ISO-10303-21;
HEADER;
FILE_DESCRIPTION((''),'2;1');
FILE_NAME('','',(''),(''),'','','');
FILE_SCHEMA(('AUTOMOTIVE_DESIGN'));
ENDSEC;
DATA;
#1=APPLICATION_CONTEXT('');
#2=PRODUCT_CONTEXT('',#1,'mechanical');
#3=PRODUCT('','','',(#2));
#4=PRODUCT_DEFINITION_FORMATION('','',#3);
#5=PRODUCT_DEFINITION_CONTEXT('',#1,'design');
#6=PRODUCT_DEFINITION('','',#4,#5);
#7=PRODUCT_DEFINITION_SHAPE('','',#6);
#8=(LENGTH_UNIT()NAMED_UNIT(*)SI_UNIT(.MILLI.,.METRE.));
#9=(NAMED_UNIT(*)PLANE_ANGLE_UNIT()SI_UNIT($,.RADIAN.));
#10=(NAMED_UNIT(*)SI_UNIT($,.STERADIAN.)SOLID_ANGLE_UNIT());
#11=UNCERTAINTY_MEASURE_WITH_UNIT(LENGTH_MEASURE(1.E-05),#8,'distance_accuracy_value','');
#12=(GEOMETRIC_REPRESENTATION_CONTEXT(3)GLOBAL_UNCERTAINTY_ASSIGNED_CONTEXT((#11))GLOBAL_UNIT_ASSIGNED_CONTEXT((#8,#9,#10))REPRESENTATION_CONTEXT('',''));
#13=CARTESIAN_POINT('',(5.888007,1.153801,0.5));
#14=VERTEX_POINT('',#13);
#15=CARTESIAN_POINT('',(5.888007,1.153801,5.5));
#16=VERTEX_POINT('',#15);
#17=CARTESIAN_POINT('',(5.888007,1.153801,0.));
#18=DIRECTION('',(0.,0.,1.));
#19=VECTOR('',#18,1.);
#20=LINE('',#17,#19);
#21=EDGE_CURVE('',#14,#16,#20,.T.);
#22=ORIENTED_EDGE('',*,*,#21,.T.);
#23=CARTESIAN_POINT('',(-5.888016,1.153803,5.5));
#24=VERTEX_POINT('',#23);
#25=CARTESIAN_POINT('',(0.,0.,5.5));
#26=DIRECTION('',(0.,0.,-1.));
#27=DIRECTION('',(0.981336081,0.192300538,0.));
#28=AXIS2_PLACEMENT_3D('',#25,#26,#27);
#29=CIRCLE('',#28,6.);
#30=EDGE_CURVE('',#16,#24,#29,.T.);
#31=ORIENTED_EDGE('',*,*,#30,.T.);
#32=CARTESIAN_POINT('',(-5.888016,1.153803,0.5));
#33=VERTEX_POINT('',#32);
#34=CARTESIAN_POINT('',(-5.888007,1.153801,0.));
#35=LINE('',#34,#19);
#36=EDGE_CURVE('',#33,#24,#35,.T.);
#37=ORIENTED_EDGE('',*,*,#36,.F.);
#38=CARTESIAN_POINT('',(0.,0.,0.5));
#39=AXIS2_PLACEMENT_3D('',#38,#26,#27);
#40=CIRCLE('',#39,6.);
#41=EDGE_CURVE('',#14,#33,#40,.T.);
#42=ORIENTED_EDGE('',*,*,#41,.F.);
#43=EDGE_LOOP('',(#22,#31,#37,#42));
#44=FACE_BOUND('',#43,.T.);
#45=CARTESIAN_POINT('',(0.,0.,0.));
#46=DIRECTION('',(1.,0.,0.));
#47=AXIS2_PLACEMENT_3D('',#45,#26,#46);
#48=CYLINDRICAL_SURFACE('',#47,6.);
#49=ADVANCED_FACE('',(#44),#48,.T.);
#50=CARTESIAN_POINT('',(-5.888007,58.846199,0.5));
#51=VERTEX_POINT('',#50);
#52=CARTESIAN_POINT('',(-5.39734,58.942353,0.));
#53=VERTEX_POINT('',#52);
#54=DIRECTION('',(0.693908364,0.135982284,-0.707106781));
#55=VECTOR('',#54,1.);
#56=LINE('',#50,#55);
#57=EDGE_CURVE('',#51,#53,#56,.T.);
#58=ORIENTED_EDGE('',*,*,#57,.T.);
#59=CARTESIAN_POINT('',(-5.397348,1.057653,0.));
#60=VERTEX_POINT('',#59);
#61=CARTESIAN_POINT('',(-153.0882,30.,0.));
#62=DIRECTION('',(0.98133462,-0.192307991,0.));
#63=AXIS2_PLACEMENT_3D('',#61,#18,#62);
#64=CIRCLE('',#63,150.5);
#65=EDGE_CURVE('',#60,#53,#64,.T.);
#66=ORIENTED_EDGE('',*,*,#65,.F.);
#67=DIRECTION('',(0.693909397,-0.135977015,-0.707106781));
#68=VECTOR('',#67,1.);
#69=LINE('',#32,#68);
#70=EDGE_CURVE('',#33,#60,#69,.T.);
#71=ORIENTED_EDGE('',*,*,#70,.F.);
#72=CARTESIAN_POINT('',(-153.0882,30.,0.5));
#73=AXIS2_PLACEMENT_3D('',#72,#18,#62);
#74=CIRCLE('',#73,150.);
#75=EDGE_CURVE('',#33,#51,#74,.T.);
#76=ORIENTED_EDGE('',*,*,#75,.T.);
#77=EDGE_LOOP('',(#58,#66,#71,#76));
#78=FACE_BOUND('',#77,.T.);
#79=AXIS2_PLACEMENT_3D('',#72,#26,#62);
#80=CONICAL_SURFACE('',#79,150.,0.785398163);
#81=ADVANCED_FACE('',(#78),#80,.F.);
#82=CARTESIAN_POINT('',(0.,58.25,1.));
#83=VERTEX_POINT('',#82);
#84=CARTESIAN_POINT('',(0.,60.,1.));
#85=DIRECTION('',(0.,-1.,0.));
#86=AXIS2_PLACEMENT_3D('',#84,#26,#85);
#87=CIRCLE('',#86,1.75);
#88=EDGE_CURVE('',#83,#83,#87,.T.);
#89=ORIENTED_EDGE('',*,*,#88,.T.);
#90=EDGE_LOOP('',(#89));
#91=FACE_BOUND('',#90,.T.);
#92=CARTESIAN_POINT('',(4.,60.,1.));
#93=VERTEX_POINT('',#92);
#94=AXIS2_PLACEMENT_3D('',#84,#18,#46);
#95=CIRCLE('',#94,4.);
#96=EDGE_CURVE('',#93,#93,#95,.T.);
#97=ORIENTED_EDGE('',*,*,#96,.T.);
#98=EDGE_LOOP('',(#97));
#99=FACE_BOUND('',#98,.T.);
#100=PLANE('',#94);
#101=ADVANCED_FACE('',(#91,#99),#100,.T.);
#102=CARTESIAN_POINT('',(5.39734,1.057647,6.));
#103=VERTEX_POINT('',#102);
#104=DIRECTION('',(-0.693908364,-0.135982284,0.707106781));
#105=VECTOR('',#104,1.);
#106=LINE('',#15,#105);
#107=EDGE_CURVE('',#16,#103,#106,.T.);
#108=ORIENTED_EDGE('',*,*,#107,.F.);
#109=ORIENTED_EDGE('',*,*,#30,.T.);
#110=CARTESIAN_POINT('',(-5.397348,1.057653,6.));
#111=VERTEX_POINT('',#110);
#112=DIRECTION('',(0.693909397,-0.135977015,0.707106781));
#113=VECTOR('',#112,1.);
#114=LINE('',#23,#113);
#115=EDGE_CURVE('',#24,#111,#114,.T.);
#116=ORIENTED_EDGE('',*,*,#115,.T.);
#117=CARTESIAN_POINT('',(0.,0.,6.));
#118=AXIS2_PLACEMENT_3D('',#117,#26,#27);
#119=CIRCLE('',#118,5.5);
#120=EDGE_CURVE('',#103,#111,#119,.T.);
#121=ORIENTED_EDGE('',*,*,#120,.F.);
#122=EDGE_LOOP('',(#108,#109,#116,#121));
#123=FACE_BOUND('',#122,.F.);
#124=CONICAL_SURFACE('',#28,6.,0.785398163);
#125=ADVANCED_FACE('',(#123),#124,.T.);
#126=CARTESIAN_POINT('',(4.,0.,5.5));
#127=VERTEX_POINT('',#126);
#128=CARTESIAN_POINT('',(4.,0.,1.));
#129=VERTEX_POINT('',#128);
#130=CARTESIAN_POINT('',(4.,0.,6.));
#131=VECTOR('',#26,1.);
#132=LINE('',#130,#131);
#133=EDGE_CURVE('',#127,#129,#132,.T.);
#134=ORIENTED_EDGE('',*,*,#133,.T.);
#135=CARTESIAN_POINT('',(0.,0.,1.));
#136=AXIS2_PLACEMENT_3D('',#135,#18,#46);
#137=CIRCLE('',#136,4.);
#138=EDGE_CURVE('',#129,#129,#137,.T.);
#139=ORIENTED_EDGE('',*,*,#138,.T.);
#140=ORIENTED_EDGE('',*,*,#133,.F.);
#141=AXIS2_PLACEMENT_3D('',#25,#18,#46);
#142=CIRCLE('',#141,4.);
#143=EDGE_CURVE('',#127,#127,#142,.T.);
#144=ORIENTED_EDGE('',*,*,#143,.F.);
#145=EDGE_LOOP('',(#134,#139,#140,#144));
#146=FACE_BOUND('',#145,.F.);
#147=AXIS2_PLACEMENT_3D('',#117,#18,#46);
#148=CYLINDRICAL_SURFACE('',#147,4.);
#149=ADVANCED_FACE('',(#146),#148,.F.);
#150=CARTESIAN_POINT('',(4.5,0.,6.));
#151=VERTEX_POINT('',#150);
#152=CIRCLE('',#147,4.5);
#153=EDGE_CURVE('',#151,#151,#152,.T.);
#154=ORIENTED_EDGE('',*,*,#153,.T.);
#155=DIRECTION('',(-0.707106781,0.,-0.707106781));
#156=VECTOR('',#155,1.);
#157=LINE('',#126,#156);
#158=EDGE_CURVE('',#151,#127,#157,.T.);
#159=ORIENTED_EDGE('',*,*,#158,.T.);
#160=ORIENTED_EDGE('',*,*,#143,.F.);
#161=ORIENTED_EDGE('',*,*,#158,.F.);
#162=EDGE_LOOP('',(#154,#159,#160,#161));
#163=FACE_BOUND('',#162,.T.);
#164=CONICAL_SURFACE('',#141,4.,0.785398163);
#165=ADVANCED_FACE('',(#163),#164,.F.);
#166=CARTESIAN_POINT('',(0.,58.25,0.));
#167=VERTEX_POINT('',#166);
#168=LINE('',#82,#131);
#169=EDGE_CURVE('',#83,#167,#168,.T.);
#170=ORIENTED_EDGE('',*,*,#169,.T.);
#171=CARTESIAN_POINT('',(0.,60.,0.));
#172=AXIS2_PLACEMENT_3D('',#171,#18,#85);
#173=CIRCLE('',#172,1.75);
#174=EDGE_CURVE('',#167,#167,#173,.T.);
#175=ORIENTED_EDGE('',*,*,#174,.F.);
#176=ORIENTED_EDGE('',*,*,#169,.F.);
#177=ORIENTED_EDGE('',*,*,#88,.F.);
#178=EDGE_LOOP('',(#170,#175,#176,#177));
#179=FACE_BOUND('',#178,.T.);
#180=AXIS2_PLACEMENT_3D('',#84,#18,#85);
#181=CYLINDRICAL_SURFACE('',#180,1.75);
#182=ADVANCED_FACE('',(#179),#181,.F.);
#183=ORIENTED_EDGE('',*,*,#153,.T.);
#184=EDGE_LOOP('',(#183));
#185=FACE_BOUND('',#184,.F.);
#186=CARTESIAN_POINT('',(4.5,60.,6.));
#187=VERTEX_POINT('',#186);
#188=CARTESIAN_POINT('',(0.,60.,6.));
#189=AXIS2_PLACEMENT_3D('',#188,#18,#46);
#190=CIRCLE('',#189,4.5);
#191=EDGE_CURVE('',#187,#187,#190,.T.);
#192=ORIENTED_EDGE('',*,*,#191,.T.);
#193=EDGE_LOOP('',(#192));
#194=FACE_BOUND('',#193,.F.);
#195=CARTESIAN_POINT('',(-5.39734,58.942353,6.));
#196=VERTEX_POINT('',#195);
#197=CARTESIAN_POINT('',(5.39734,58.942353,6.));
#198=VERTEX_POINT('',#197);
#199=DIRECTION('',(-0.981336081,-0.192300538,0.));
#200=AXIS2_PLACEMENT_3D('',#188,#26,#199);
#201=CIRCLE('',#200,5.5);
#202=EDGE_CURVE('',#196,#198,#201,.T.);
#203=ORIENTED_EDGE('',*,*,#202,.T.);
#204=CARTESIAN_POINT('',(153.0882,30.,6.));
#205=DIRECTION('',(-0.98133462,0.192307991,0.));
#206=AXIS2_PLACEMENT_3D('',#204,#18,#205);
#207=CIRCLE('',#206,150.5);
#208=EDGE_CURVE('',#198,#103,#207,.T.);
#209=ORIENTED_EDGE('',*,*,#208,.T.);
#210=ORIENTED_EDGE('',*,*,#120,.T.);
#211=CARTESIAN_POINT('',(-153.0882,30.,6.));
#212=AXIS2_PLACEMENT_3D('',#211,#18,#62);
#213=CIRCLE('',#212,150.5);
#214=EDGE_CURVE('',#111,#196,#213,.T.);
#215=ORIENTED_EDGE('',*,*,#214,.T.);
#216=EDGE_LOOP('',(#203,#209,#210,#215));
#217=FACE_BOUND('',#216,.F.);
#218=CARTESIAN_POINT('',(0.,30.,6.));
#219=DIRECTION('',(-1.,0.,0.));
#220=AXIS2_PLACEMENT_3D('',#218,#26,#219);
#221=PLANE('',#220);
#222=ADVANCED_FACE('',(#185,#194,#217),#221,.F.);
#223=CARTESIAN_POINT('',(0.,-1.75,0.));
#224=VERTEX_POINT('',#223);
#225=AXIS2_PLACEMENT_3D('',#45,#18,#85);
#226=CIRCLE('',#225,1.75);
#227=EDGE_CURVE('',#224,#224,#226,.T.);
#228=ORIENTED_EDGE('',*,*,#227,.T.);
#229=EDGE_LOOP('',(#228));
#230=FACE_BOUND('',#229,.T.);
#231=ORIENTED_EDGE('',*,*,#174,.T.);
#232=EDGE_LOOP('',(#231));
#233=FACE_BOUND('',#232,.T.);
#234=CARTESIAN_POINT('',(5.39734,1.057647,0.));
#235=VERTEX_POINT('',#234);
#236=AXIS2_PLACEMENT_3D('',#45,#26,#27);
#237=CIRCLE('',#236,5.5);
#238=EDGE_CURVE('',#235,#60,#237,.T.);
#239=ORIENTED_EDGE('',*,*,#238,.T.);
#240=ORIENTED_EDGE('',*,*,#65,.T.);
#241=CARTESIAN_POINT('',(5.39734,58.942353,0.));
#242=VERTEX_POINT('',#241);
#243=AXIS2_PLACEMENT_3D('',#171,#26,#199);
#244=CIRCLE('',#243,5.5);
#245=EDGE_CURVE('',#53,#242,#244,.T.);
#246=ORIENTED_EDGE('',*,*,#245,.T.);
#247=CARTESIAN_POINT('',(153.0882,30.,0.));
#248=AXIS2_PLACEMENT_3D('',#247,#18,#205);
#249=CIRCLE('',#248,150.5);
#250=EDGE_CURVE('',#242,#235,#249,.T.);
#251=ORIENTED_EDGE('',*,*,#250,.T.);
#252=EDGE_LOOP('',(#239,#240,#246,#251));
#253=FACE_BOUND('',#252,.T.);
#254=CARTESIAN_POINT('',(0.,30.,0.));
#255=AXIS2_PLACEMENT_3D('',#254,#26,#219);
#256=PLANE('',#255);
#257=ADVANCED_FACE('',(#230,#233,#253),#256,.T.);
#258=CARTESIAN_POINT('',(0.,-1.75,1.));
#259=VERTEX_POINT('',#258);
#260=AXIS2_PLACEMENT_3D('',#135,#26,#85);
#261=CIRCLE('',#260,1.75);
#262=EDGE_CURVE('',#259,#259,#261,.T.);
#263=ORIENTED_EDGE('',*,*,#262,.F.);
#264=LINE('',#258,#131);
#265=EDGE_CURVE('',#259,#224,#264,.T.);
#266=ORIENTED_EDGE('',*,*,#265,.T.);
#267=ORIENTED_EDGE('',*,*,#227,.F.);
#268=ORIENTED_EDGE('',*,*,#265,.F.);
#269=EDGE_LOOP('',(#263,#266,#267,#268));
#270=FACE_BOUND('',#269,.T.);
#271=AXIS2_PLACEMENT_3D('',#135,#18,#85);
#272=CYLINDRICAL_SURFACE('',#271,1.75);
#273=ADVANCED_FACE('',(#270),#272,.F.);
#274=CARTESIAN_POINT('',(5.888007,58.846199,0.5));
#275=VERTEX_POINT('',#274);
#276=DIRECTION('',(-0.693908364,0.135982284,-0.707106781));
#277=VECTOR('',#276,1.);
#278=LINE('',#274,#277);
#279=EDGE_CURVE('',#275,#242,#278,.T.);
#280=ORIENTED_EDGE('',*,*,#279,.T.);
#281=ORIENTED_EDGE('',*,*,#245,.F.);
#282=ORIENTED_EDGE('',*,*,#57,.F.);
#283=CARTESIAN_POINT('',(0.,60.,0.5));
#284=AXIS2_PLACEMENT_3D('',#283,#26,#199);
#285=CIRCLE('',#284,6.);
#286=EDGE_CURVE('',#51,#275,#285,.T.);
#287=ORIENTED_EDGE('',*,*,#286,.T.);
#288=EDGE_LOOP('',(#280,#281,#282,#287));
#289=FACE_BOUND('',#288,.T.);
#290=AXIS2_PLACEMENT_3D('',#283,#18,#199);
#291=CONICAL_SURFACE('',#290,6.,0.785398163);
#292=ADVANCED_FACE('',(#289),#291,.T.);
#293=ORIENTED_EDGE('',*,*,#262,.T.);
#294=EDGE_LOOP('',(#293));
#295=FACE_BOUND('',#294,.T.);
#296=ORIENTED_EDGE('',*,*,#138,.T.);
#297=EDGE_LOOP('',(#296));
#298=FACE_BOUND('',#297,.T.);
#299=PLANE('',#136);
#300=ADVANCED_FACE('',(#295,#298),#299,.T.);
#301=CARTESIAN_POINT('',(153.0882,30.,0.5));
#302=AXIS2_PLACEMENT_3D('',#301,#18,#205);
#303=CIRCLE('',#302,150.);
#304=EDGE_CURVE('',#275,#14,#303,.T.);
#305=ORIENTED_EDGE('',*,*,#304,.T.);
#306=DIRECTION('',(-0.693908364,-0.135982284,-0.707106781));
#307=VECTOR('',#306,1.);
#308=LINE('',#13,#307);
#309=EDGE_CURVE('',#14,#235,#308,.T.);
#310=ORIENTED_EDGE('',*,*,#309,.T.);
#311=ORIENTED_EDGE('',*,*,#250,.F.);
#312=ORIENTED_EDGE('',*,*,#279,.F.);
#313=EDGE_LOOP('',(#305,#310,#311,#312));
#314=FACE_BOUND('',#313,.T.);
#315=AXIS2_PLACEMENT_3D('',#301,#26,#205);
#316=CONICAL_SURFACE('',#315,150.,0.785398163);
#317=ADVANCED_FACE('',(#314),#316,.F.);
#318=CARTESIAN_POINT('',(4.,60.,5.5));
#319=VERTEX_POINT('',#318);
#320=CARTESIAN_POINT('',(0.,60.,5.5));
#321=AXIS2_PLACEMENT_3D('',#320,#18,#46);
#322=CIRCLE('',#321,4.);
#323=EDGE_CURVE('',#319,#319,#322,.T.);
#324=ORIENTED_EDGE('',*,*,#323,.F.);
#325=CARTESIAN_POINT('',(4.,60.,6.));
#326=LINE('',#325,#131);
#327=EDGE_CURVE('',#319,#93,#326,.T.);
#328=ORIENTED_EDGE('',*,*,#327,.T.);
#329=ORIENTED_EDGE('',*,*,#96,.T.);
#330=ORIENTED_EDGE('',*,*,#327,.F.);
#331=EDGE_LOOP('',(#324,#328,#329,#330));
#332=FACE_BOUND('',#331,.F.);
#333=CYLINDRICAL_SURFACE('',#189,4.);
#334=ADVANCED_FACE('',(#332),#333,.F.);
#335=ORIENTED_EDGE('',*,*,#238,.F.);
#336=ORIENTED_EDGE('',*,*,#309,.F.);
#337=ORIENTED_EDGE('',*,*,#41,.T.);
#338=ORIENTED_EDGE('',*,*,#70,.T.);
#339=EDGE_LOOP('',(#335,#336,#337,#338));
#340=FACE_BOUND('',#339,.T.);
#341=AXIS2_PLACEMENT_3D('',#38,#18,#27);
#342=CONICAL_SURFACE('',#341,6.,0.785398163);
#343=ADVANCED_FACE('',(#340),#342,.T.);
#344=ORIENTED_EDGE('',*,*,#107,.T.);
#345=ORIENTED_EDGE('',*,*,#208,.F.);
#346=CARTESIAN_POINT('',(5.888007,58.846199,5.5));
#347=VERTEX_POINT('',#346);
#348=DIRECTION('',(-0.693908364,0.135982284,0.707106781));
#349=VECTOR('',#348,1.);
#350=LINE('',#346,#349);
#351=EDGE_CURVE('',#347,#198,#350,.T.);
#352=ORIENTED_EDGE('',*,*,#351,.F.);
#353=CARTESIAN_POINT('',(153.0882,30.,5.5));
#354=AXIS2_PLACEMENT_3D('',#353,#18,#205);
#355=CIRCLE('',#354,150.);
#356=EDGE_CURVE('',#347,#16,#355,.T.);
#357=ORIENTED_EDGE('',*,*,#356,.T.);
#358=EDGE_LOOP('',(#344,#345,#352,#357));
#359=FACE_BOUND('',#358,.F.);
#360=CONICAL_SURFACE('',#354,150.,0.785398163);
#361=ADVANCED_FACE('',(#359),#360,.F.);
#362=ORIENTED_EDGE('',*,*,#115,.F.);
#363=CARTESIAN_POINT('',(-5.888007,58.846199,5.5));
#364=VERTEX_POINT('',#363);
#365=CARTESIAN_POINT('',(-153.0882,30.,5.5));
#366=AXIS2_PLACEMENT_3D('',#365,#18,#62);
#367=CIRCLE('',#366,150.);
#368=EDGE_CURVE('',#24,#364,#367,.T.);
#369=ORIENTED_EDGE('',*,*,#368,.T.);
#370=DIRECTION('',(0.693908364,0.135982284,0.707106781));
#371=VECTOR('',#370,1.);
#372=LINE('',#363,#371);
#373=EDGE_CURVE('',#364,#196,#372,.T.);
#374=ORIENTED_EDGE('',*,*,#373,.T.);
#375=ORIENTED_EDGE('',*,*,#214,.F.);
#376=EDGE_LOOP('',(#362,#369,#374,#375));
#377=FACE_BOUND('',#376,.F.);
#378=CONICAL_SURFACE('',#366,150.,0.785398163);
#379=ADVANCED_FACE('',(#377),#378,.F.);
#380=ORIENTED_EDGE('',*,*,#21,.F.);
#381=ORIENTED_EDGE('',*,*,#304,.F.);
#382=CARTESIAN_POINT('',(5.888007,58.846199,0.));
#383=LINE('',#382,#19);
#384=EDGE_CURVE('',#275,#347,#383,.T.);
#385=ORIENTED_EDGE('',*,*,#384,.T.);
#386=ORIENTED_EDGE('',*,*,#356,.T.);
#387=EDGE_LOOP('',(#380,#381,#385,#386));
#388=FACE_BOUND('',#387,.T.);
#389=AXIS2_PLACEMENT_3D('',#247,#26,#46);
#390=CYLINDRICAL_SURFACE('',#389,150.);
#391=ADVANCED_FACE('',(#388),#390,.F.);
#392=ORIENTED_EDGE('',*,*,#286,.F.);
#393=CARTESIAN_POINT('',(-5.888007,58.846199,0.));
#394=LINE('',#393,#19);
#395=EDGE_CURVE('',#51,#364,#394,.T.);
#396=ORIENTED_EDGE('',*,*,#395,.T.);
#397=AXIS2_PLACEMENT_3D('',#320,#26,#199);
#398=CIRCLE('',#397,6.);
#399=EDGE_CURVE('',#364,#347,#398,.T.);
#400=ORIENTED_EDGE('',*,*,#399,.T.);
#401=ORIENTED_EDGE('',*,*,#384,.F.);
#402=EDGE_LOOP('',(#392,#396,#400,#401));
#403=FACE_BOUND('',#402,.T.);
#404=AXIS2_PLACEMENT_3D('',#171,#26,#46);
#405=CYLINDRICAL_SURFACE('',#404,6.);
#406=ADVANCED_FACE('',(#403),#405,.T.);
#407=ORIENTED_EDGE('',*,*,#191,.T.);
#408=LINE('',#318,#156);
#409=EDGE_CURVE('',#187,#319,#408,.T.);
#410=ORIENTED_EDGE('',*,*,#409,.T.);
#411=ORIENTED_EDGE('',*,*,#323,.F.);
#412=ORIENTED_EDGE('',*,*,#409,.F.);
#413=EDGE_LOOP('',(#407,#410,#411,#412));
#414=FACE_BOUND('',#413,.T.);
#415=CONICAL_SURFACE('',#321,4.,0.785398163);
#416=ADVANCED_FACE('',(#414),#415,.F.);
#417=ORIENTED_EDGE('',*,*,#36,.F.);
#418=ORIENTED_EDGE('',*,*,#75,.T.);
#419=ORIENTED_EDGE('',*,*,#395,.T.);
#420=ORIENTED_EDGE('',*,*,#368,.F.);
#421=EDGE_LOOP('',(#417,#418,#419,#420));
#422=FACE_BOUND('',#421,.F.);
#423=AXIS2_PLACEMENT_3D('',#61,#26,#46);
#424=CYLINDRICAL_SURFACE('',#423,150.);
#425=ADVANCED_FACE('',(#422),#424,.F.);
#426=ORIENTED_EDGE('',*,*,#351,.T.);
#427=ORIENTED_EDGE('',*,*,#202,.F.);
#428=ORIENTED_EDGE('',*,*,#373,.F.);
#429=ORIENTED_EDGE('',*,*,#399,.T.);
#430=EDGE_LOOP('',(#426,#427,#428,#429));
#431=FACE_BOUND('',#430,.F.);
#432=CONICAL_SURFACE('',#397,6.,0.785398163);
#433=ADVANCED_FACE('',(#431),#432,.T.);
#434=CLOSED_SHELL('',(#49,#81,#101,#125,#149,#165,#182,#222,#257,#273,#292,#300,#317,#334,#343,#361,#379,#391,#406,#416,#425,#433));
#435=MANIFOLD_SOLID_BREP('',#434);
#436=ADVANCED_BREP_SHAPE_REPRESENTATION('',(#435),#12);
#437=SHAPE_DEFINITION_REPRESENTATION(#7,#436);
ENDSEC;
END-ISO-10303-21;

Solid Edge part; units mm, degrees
sketch "Sketch1" plane through (0, 0, 0) normal (0, 0, 1) x (1, 0, 0)
  arc A0 (5.888, 58.8462) -> (5.888, 1.1538) centre (153.0882, 30) ccw
  arc A1 (-5.888, 58.8462) -> (-5.888, 1.1538) centre (-153.0882, 30) cw
  arc A2 (5.888, 1.1538) -> (-5.888, 1.1538) centre (0, 0) cw
  arc A3 (-5.888, 58.8462) -> (5.888, 58.8462) centre (0, 60) cw
extrude "Protrusion1" add sketch "Sketch1" along normal blind 6
sketch "Sketch2" plane through (0, 30, 6) normal (0, 0, 1) x (1, 0, 0)
  circle A0 centre (0, -30) radius 4
  circle A1 centre (0, 30) radius 4
  dimension "D1" = 8
  dimension "D2" = 8
extrude "VaciadoExtruido_1" cut sketch "Sketch2" against normal blind 5
hole "Agujero_1" at (0, 60, 1) direction (0, 0, -1) diameter 3.5 end up to next
hole "Hole1" at (0, 0, 1) direction (0, 0, -1) diameter 3.5 end up to next
chamfer "Chaflán_1" distance 0.5 angle 45 10 edges at (3.0882, 30, 6) (0, -6, 6) (-3.0882, 30, 6) (0, 66, 6) (3.0882, 30, 0) (0, -6, 0) (-3.0882, 30, 0) (0, 66, 0) (-4, 0, 6) (-4, 60, 6)
